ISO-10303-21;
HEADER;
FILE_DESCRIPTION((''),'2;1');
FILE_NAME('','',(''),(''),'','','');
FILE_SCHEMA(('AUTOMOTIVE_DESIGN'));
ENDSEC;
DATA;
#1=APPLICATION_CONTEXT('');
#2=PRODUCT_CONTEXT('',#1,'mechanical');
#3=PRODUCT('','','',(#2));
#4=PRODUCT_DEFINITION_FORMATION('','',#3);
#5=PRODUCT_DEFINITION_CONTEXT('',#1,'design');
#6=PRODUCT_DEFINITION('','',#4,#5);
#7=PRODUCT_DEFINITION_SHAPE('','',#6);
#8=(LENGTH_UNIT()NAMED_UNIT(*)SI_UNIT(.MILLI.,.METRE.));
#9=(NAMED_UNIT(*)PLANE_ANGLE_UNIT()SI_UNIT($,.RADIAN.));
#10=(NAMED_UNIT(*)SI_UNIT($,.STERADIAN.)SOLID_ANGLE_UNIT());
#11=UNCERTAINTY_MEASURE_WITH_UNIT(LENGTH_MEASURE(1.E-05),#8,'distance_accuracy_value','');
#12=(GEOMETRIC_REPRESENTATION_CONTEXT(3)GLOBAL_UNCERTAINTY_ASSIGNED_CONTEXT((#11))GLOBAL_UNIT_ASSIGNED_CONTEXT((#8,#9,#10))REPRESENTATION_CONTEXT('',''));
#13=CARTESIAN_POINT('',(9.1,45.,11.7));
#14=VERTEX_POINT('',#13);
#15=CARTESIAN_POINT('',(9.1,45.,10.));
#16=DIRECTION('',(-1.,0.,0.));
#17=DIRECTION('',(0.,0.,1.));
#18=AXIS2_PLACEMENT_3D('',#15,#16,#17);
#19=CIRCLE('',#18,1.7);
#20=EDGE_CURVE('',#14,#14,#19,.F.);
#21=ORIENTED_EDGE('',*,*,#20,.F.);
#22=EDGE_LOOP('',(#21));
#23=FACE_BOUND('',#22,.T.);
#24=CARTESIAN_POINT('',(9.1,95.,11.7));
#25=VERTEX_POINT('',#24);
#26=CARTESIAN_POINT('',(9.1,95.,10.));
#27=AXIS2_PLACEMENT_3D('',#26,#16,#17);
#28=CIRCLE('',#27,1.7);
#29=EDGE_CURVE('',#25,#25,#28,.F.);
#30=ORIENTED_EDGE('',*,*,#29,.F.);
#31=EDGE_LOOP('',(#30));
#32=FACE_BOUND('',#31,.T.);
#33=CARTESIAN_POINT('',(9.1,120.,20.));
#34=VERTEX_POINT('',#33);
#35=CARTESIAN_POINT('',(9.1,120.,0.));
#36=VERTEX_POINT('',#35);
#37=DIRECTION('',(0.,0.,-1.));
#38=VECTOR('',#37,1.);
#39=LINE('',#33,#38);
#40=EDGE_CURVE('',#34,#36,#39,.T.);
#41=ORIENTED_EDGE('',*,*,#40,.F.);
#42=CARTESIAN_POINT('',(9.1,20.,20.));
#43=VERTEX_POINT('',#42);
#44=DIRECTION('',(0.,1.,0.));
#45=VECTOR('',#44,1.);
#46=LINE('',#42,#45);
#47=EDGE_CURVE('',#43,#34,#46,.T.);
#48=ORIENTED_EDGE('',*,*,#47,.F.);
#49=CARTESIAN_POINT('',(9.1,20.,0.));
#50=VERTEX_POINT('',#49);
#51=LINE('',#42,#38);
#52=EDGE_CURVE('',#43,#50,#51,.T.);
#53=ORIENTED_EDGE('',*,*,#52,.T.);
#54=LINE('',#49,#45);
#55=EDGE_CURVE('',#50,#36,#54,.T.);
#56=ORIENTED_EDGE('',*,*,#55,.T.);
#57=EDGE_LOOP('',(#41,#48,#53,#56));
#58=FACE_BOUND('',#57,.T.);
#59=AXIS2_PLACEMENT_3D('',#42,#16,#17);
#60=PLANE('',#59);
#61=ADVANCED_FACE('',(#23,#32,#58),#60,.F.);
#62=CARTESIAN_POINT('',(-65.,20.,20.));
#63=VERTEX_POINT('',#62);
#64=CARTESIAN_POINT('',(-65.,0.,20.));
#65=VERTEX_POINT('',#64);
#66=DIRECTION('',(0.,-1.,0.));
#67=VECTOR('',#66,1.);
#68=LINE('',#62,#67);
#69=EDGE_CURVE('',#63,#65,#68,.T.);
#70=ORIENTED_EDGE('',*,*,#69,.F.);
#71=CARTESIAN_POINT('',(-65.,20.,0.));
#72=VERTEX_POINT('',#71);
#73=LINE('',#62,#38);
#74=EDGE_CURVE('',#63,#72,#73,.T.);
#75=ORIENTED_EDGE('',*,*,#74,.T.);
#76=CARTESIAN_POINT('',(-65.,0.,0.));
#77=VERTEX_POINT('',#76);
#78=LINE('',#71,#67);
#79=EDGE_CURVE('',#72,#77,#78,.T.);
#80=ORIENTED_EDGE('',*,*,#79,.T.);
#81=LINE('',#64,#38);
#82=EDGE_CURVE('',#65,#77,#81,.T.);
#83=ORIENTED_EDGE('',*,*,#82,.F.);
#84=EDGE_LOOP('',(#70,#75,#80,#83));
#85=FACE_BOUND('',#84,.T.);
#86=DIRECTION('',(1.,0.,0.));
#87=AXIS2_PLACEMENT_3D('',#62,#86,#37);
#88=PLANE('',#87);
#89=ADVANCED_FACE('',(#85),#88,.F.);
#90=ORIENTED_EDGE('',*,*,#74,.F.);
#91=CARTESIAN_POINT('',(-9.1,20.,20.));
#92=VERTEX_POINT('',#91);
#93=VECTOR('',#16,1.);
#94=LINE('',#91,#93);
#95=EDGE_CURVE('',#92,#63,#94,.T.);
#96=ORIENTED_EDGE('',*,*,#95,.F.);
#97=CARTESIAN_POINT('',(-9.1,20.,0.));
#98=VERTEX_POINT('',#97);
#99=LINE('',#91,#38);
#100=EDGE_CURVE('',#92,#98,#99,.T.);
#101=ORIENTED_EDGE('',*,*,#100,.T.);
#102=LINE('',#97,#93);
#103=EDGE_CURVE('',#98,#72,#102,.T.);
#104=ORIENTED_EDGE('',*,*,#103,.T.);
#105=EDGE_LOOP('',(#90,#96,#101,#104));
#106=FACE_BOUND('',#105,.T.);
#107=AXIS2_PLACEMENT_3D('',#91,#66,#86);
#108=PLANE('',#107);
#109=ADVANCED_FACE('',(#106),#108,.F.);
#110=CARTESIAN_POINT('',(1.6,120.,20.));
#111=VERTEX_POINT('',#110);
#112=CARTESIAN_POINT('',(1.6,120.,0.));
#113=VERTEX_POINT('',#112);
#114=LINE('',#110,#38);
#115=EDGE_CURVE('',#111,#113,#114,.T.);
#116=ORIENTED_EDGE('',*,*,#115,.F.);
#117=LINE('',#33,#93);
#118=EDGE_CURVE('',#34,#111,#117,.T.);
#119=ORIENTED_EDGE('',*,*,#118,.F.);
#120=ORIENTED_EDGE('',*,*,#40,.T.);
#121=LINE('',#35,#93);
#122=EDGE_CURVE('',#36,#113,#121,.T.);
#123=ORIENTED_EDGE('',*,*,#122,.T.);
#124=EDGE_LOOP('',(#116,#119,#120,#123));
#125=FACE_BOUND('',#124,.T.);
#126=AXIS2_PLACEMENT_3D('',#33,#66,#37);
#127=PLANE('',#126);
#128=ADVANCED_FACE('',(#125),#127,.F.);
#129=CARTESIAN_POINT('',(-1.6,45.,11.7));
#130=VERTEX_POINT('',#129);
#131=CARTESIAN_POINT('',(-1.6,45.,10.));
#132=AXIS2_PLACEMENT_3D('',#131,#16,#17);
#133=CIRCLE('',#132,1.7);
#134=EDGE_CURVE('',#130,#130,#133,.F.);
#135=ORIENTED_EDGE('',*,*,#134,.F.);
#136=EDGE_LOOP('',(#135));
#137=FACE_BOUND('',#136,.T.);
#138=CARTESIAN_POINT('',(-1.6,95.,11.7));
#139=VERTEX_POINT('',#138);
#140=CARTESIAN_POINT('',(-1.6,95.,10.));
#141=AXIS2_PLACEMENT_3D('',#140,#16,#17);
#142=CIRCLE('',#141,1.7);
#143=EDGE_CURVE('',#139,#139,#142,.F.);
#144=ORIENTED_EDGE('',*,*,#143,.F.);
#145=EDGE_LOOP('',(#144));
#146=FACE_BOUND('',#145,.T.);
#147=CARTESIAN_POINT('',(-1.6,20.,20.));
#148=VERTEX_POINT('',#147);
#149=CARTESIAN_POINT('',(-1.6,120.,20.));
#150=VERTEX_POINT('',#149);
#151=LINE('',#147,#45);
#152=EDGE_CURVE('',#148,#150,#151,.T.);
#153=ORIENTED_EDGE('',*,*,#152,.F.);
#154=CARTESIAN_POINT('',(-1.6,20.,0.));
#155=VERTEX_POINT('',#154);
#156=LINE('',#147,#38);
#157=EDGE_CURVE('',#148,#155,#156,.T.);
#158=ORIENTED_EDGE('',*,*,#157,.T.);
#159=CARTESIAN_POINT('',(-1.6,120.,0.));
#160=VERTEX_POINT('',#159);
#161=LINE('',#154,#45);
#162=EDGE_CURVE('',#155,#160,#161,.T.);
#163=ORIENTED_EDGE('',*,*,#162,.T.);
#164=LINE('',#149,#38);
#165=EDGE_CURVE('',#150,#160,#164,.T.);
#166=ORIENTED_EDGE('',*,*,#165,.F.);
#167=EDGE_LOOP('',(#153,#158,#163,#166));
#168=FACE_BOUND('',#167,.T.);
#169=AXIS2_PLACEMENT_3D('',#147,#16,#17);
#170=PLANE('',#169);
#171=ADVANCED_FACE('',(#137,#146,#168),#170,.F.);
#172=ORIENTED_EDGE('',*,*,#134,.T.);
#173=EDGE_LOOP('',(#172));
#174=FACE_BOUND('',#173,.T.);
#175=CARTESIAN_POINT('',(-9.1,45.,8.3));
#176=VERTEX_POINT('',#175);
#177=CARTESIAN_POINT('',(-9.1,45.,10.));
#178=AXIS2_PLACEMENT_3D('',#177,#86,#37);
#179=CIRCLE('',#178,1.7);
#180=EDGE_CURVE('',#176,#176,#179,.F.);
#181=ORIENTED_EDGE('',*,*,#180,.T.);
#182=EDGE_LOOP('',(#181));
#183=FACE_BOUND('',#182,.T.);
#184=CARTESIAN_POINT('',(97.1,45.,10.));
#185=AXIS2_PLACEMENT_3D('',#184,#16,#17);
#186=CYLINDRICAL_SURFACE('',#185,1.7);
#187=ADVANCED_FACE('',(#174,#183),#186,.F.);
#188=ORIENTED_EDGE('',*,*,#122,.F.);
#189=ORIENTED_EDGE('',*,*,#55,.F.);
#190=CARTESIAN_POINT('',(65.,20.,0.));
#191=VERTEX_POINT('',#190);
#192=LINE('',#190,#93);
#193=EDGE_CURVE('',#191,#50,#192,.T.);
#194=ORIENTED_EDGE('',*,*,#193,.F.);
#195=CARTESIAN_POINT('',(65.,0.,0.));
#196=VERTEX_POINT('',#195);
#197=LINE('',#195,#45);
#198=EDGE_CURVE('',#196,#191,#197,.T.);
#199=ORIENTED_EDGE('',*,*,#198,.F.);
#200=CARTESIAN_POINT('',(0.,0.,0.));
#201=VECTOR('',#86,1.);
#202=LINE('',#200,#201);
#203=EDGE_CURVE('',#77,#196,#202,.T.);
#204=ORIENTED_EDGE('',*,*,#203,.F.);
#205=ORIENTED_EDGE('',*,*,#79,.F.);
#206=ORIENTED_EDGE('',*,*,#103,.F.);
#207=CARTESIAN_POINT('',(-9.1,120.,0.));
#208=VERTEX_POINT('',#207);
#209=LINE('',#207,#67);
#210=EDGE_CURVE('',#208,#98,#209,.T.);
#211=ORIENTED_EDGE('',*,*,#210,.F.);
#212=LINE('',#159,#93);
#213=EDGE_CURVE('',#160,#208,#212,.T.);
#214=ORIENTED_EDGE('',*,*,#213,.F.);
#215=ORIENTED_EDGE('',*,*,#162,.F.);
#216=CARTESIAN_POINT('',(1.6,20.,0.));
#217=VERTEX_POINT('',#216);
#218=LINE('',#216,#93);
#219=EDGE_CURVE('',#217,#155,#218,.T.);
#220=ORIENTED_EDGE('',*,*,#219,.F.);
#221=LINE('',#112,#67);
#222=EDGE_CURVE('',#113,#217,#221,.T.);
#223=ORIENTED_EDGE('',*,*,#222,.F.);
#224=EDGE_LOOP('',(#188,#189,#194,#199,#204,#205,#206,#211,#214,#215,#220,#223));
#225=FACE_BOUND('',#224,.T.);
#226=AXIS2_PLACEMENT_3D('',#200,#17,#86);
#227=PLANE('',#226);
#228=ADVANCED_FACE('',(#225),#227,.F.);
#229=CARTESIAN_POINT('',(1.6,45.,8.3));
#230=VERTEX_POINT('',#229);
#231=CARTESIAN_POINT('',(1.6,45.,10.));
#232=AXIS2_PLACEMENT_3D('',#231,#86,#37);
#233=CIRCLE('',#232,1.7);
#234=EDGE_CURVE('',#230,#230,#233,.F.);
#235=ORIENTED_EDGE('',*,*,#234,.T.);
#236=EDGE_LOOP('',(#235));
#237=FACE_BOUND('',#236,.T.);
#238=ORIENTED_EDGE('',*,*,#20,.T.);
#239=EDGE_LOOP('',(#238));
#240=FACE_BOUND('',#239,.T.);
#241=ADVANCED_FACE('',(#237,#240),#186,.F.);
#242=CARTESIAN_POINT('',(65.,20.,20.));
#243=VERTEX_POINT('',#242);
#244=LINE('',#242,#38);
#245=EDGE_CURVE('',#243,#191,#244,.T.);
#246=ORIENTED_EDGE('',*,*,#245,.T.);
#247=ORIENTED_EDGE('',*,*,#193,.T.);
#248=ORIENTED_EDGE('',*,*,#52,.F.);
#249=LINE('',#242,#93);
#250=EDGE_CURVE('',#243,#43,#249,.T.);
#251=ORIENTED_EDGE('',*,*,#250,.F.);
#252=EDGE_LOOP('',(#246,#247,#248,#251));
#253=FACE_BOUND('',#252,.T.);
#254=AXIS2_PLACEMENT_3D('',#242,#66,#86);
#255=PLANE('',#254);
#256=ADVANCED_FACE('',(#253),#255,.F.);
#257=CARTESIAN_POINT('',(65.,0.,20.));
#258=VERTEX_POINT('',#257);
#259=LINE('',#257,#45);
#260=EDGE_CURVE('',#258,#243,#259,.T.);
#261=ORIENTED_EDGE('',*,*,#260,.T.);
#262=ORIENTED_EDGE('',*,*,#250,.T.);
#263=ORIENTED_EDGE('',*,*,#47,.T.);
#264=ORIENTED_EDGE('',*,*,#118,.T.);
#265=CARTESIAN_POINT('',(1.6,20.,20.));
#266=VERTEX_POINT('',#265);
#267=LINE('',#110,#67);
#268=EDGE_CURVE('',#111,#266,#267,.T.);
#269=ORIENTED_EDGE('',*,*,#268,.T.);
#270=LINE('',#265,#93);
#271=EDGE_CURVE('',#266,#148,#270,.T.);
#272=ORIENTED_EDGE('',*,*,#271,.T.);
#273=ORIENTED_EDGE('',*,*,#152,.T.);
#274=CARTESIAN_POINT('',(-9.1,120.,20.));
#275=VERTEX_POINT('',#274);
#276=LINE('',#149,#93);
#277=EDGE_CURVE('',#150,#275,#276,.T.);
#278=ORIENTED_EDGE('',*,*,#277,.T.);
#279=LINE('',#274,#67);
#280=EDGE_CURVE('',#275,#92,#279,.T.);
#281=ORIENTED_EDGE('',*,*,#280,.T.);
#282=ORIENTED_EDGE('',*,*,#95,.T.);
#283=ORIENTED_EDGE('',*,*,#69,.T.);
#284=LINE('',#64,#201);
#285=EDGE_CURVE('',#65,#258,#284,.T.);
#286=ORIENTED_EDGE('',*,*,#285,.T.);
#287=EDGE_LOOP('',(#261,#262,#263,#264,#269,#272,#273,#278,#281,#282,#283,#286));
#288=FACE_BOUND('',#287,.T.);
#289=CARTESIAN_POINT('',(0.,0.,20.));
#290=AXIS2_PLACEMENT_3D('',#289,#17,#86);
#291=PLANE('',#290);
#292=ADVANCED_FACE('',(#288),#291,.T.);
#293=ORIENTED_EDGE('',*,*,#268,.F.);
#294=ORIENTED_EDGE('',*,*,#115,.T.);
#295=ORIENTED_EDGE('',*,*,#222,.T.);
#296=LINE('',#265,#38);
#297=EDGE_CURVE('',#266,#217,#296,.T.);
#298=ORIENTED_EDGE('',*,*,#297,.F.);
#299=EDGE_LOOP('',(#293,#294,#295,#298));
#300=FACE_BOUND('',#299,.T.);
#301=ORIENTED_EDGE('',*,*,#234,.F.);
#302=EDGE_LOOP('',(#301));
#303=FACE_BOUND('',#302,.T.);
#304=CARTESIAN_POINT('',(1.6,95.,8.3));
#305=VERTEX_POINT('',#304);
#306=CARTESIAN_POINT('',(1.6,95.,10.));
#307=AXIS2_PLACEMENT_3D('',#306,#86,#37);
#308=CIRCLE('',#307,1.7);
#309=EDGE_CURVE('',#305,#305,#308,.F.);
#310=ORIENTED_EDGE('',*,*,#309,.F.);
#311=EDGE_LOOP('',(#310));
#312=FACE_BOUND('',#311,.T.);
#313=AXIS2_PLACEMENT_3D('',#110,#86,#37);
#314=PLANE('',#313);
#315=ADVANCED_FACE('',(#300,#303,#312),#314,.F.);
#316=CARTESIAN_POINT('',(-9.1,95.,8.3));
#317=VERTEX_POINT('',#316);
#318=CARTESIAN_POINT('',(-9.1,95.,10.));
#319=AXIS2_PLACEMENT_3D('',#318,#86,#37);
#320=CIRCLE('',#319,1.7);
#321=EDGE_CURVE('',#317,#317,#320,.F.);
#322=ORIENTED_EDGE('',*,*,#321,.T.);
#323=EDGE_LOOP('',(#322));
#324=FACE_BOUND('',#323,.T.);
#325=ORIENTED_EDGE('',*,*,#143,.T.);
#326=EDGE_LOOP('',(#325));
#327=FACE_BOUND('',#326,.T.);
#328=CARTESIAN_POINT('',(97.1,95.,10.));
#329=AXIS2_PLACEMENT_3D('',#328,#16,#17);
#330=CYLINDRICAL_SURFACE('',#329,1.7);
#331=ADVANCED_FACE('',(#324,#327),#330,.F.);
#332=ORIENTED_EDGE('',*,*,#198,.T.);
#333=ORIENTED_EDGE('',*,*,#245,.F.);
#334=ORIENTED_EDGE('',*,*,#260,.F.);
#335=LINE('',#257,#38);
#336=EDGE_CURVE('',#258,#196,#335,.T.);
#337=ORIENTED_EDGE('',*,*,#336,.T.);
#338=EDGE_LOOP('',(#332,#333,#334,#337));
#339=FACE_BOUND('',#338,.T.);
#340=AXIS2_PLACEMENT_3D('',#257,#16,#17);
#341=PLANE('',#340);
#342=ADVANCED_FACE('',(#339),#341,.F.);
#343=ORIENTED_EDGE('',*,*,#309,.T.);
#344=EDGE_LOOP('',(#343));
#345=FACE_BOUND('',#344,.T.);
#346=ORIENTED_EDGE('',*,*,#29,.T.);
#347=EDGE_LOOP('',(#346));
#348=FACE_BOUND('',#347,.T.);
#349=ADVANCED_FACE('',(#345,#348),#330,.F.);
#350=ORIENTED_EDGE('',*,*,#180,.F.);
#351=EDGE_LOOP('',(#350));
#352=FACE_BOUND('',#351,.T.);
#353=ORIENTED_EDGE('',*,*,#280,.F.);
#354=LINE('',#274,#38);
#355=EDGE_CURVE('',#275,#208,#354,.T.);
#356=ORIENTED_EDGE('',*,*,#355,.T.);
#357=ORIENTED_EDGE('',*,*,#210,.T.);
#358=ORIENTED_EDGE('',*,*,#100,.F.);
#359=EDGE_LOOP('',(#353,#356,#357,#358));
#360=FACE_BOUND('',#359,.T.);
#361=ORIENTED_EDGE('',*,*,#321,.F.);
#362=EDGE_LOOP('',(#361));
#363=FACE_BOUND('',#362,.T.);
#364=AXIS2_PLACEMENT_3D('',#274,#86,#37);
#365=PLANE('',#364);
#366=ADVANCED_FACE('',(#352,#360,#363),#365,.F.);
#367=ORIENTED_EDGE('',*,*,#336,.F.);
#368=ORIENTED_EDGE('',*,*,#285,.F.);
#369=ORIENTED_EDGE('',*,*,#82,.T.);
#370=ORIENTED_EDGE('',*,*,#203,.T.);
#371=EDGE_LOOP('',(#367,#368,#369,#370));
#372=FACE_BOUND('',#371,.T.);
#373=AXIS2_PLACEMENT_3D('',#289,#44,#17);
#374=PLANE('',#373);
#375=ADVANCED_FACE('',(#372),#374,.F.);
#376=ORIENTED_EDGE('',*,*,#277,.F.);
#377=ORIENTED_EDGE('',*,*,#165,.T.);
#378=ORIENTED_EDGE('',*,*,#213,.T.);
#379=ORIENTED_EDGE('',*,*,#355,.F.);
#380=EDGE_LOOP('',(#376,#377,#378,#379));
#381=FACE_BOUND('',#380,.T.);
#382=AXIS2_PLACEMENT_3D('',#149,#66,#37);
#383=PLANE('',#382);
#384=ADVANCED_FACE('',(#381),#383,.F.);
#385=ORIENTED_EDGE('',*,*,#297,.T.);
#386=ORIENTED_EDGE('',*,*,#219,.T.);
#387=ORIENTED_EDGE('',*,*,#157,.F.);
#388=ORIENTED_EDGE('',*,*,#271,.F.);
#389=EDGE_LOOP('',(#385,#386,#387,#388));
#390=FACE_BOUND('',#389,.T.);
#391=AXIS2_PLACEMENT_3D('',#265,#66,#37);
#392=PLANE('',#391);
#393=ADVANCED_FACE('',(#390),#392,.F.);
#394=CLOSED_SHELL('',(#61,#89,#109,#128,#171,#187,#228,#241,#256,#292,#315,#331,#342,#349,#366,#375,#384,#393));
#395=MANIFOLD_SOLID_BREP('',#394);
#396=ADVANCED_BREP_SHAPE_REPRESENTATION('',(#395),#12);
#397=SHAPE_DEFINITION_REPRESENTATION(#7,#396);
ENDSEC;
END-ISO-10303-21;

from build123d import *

# Parameters (mm, degrees)
BOSS_EXTRUDE3_DEPTH     = 20
CUT_EXTRUDE1_DEPTH      = 88
CUT_EXTRUDE1_DEPTH_BACK = 161
SKETCH3_R               = 1.7


with BuildPart() as part:
    # Sketch1 → Boss-Extrude3 (new body)
    with BuildSketch(Plane.XY):
        Polygon((0, 0), (65, 0), (65, 20), (9.1, 20), (9.1, 120), (1.6, 120), (1.6, 20), (-1.6, 20), (-1.6, 120), (-9.1, 120), (-9.1, 20), (-65, 20), (-65, 0), align=None)
    extrude(amount=BOSS_EXTRUDE3_DEPTH)

    # Sketch3 → Cut-Extrude1 (cut, two sides: drawn at the far end of the back side and taken through both)
    with BuildSketch(Plane(origin=(9.1, 0, 0), x_dir=(0, 0, -1), z_dir=(1, 0, 0)).offset(-CUT_EXTRUDE1_DEPTH_BACK)):
        with Locations(Location((-10, 95, 0), (0, 0, 180))):
            Circle(SKETCH3_R)
        with Locations(Location((-10, 45, 0), (0, 0, 180))):
            Circle(SKETCH3_R)
    extrude(amount=CUT_EXTRUDE1_DEPTH + CUT_EXTRUDE1_DEPTH_BACK, mode=Mode.SUBTRACT)


solid = part.part
